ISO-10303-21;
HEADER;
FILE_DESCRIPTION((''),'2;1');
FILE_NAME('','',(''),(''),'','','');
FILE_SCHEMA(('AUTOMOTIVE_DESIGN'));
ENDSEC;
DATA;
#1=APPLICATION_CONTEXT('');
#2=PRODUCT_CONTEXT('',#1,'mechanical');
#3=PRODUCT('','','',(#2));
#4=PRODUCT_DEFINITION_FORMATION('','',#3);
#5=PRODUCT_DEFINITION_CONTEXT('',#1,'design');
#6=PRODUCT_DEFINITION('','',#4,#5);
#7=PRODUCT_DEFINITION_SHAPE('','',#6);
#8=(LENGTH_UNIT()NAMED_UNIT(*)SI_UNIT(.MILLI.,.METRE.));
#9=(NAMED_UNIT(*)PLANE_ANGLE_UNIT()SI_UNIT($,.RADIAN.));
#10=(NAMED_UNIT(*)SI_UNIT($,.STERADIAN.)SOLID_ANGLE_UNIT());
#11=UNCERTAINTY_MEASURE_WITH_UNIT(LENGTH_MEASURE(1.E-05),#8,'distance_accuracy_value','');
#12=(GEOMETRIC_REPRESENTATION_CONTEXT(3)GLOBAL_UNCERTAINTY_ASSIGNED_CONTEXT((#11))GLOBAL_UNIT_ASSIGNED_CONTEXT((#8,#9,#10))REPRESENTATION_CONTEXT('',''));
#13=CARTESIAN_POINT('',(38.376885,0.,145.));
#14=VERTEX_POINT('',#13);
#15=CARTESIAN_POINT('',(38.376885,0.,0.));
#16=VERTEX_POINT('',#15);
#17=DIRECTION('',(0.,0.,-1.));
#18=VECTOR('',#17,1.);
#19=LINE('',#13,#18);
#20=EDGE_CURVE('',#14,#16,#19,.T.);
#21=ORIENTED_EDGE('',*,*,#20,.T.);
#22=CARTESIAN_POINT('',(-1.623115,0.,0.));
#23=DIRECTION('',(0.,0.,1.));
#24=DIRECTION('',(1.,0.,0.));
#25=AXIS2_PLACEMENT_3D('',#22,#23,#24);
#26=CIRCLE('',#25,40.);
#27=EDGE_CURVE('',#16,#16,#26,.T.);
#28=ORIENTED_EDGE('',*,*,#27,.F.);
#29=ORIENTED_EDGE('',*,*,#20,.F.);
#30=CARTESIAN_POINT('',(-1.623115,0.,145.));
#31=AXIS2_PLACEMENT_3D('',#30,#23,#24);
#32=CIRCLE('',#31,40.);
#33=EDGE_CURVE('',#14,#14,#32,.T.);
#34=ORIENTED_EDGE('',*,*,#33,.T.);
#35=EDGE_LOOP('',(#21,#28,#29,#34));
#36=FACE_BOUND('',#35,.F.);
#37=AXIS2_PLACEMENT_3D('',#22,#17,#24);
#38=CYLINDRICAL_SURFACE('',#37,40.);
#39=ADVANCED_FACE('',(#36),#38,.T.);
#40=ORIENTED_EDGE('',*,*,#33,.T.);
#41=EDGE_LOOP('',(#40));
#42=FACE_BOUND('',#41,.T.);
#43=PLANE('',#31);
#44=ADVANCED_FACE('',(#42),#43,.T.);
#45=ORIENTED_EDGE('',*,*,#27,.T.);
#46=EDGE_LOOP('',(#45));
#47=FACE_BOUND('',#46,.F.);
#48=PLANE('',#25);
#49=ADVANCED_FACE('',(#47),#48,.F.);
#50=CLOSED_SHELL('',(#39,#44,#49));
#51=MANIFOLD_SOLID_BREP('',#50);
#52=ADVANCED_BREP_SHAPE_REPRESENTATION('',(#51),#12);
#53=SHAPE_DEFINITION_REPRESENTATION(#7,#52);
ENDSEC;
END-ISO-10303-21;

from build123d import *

# Parameters (mm, degrees)
F0_R     = 40
F1_DEPTH = 25
F2_DEPTH = 145


with BuildPart() as f1:
    # F0 (on Top) → F1 (new body)
    with BuildSketch(Plane.XY):
        with Locations((-1.623115, 0)):
            Circle(F0_R)
    extrude(amount=F1_DEPTH)

    # F0 (on Top) → F2 (join)
    with BuildSketch(Plane.XY):
        with Locations((-1.623115, 0)):
            Circle(F0_R)
    extrude(amount=F2_DEPTH)


solid = f1.part
